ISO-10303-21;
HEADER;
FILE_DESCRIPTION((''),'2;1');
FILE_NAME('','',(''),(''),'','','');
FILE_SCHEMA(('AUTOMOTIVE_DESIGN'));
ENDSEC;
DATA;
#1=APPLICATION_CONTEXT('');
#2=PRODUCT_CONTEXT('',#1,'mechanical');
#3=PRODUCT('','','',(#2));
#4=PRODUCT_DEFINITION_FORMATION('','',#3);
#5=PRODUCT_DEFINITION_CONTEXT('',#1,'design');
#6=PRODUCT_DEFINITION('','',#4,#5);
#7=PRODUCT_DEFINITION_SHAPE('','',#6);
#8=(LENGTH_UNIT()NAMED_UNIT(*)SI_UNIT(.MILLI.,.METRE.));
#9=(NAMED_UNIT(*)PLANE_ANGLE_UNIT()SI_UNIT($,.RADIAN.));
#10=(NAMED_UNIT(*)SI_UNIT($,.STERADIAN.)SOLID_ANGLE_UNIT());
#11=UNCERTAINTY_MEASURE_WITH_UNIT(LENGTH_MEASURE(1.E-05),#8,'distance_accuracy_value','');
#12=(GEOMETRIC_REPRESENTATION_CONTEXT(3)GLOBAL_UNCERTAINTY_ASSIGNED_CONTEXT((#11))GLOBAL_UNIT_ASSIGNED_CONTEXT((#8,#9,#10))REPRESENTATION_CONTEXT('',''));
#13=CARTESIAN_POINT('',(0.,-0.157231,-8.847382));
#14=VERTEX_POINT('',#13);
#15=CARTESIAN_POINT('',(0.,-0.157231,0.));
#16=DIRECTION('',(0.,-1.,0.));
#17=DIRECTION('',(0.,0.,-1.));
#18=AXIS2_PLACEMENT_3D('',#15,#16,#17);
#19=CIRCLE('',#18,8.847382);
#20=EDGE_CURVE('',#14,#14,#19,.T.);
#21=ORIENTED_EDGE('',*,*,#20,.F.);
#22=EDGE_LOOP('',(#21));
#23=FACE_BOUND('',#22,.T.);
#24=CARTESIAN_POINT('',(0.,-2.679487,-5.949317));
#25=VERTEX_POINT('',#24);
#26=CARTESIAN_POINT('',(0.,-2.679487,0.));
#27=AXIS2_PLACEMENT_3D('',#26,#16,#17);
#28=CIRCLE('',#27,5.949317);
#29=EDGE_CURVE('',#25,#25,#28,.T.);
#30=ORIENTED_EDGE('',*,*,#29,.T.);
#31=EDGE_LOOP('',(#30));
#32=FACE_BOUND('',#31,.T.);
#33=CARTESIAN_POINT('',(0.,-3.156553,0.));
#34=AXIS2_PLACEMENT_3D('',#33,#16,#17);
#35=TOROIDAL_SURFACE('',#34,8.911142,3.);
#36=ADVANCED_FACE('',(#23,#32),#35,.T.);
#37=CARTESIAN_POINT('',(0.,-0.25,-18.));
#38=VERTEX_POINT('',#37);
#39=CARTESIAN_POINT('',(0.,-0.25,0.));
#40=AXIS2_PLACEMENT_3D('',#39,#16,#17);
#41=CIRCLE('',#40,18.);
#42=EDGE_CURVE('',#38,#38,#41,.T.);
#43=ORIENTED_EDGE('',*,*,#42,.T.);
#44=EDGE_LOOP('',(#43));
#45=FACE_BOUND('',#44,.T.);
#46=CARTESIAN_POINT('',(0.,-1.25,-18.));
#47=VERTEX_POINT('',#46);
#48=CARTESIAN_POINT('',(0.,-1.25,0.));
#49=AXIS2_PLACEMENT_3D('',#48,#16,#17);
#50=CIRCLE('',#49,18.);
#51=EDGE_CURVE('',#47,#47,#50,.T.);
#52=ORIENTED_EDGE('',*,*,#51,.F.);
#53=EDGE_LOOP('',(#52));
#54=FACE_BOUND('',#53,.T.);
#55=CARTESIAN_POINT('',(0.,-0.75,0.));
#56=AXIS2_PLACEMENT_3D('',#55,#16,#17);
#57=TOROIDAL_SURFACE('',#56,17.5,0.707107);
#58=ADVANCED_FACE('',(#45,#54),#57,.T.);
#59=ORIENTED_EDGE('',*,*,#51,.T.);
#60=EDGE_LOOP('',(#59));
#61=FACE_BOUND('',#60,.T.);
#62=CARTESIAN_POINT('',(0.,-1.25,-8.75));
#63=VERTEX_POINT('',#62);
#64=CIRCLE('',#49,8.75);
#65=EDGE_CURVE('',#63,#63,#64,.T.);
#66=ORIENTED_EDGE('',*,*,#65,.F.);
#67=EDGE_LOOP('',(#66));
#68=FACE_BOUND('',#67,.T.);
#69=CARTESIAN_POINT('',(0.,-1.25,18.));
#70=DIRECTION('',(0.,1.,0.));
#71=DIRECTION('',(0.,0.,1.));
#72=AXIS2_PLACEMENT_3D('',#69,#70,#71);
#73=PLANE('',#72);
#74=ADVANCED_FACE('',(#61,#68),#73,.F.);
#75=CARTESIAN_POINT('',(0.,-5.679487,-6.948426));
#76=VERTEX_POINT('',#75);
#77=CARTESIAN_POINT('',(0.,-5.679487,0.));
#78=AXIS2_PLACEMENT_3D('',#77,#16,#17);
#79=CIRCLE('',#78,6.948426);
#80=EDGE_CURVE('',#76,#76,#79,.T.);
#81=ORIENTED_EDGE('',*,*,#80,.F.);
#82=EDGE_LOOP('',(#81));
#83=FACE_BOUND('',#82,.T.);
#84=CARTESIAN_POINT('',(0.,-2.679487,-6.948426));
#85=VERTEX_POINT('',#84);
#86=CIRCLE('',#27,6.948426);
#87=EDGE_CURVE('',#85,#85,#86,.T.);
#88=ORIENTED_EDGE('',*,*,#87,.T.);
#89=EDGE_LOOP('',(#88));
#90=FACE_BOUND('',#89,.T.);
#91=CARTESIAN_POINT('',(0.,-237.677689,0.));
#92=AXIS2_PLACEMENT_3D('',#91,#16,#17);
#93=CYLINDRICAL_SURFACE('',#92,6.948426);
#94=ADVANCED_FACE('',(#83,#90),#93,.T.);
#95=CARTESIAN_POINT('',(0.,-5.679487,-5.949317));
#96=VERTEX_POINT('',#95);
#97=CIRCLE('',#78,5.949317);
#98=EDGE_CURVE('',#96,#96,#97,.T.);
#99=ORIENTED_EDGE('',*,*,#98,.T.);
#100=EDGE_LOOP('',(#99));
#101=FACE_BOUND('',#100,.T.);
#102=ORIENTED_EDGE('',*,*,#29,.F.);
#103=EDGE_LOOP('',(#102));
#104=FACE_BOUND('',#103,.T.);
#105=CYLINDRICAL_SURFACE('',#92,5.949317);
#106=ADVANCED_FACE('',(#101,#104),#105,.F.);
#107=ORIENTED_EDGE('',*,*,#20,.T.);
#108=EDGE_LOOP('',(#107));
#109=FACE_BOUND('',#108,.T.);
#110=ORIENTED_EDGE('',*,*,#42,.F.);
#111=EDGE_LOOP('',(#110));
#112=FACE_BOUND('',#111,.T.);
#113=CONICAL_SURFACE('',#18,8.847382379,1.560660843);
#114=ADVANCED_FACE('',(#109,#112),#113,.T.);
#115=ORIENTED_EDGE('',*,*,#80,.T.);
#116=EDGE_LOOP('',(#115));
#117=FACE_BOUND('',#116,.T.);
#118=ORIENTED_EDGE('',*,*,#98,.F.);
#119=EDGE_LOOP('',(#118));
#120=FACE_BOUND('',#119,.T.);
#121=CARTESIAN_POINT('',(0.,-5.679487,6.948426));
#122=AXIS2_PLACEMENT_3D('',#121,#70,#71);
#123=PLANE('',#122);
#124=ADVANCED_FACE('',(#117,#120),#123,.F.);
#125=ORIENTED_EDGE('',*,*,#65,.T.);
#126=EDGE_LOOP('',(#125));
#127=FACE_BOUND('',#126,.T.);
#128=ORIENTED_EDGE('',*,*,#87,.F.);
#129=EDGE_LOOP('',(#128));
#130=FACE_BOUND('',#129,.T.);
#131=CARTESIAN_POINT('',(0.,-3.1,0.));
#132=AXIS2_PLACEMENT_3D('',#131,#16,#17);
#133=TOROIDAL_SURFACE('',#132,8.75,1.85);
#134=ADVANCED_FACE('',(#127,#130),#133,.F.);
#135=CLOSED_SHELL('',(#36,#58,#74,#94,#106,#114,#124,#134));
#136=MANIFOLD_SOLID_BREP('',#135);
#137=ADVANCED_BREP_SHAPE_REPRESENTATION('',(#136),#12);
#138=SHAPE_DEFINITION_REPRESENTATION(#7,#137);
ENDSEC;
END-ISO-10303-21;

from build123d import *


with BuildPart() as part:
    # Sketch1 → Revolve1 (revolve)
    with BuildSketch(Plane(origin=(0, 0, 0), x_dir=(0, 0, -1), z_dir=(1, 0, 0)), mode=Mode.PRIVATE) as revolve1_sk:
        with BuildLine():
            Line((-18, -1.25), (-8.75, -1.25))
            ThreePointArc((-8.75, -1.25), (-7.600097578, -1.650784896), (-6.94842599, -2.679487115))
            Line((-6.94842599, -2.679487115), (-6.94842599, -5.679487115))
            Line((-6.94842599, -5.679487115), (-5.949317187, -5.679487115))
            Line((-5.949317187, -5.679487115), (-5.949317187, -2.679487115))
            ThreePointArc((-5.949317187, -2.679487115), (-6.941628239, -0.893587174), (-8.847382379, -0.157230615))
            Line((-8.847382379, -0.157230615), (-18, -0.25))
            ThreePointArc((-18, -0.25), (-18.207106781, -0.75), (-18, -1.25))
        make_face()
    revolve(revolve1_sk.sketch.rotate(Axis((0, -237.677688504, 0), (0, 1, 0)), 180), axis=Axis((0, -237.677688504, 0), (0, 1, 0)))


solid = part.part
